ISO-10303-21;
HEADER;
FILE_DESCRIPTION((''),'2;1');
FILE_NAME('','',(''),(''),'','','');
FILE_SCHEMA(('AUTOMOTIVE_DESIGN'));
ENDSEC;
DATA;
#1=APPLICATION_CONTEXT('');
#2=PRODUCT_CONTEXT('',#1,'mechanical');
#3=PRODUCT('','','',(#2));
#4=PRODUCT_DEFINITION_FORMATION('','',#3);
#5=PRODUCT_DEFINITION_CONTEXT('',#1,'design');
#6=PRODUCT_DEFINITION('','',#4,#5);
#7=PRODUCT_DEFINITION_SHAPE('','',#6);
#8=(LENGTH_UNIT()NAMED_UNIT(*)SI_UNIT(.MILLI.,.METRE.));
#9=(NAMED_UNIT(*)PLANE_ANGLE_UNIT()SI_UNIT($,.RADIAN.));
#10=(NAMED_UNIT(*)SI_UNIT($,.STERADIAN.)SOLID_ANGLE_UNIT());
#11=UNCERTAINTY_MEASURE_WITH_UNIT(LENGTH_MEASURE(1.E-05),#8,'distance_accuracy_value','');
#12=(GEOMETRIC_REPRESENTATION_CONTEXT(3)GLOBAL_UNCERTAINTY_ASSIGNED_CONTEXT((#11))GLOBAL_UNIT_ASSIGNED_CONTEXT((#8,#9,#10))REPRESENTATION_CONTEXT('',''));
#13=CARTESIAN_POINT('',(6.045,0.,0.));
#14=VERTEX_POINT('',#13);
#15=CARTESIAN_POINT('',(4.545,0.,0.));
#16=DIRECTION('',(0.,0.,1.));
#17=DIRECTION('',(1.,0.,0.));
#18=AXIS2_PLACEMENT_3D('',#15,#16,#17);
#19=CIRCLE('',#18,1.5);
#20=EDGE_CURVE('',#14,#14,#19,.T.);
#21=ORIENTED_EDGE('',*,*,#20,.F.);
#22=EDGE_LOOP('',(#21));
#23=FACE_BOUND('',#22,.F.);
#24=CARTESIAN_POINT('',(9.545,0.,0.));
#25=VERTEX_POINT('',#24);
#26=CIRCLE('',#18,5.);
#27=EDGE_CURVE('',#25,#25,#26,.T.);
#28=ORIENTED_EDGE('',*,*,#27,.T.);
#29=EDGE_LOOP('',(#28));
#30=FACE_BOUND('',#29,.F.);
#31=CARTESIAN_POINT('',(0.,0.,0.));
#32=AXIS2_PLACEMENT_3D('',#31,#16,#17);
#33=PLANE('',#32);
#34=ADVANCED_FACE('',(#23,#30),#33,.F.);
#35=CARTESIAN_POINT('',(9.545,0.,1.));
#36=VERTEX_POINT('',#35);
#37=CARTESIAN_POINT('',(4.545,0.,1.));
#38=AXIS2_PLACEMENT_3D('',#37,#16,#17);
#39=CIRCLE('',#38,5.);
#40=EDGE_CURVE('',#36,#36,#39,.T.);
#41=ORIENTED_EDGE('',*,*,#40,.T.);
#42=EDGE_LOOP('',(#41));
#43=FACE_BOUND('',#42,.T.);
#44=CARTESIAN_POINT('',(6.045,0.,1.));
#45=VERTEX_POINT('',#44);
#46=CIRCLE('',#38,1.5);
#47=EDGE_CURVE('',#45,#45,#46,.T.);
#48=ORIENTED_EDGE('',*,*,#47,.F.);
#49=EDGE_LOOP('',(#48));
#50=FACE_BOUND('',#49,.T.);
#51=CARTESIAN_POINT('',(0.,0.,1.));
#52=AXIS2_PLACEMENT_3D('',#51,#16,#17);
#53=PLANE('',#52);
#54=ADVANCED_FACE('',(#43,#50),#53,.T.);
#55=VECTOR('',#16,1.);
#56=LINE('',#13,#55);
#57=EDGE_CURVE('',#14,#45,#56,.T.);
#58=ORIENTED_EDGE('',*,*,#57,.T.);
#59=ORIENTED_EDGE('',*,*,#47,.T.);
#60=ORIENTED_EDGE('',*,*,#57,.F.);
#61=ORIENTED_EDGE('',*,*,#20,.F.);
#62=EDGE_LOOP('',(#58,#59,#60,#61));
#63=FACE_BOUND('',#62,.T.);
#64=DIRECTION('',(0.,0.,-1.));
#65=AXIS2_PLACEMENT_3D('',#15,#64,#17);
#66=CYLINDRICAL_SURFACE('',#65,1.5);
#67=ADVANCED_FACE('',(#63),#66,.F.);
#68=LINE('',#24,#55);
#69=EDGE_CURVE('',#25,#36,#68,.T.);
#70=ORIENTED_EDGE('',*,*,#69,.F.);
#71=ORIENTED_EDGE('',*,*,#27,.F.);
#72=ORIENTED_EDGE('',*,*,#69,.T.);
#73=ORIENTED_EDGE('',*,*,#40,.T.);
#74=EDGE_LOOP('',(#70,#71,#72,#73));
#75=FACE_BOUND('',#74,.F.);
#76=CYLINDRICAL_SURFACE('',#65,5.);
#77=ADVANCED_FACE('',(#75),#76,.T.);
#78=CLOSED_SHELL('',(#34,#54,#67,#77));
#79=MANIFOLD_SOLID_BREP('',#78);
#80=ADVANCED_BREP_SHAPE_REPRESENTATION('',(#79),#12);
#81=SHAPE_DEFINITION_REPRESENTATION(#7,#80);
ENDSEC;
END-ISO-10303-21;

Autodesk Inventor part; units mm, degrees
ref_plane "YZ Plane" through (0, 0, 0) normal (1, 0, 0) x (0, 1, 0)
ref_plane "XZ Plane" through (0, 0, 0) normal (0, 1, 0) x (-1, 0, 0)
ref_plane "XY Plane" through (0, 0, 0) normal (0, 0, 1) x (1, 0, 0)
sketch "Sketch1" plane through (0, 0, 0) normal (0, 0, 1) x (1, 0, 0)
  circle A0 centre (4.545, 0) radius 1.5 projected
  circle A1 centre (4.545, 0) radius 3.5 projected
  circle A2 centre (4.545, 0) radius 5
  point P0 (0, 0)
  dimension "d0" = 1.5
extrude "Extrusion1" add sketch "Sketch1" along normal blind 1 contours A1 | A2
properties part number "center_holder_retainer"
